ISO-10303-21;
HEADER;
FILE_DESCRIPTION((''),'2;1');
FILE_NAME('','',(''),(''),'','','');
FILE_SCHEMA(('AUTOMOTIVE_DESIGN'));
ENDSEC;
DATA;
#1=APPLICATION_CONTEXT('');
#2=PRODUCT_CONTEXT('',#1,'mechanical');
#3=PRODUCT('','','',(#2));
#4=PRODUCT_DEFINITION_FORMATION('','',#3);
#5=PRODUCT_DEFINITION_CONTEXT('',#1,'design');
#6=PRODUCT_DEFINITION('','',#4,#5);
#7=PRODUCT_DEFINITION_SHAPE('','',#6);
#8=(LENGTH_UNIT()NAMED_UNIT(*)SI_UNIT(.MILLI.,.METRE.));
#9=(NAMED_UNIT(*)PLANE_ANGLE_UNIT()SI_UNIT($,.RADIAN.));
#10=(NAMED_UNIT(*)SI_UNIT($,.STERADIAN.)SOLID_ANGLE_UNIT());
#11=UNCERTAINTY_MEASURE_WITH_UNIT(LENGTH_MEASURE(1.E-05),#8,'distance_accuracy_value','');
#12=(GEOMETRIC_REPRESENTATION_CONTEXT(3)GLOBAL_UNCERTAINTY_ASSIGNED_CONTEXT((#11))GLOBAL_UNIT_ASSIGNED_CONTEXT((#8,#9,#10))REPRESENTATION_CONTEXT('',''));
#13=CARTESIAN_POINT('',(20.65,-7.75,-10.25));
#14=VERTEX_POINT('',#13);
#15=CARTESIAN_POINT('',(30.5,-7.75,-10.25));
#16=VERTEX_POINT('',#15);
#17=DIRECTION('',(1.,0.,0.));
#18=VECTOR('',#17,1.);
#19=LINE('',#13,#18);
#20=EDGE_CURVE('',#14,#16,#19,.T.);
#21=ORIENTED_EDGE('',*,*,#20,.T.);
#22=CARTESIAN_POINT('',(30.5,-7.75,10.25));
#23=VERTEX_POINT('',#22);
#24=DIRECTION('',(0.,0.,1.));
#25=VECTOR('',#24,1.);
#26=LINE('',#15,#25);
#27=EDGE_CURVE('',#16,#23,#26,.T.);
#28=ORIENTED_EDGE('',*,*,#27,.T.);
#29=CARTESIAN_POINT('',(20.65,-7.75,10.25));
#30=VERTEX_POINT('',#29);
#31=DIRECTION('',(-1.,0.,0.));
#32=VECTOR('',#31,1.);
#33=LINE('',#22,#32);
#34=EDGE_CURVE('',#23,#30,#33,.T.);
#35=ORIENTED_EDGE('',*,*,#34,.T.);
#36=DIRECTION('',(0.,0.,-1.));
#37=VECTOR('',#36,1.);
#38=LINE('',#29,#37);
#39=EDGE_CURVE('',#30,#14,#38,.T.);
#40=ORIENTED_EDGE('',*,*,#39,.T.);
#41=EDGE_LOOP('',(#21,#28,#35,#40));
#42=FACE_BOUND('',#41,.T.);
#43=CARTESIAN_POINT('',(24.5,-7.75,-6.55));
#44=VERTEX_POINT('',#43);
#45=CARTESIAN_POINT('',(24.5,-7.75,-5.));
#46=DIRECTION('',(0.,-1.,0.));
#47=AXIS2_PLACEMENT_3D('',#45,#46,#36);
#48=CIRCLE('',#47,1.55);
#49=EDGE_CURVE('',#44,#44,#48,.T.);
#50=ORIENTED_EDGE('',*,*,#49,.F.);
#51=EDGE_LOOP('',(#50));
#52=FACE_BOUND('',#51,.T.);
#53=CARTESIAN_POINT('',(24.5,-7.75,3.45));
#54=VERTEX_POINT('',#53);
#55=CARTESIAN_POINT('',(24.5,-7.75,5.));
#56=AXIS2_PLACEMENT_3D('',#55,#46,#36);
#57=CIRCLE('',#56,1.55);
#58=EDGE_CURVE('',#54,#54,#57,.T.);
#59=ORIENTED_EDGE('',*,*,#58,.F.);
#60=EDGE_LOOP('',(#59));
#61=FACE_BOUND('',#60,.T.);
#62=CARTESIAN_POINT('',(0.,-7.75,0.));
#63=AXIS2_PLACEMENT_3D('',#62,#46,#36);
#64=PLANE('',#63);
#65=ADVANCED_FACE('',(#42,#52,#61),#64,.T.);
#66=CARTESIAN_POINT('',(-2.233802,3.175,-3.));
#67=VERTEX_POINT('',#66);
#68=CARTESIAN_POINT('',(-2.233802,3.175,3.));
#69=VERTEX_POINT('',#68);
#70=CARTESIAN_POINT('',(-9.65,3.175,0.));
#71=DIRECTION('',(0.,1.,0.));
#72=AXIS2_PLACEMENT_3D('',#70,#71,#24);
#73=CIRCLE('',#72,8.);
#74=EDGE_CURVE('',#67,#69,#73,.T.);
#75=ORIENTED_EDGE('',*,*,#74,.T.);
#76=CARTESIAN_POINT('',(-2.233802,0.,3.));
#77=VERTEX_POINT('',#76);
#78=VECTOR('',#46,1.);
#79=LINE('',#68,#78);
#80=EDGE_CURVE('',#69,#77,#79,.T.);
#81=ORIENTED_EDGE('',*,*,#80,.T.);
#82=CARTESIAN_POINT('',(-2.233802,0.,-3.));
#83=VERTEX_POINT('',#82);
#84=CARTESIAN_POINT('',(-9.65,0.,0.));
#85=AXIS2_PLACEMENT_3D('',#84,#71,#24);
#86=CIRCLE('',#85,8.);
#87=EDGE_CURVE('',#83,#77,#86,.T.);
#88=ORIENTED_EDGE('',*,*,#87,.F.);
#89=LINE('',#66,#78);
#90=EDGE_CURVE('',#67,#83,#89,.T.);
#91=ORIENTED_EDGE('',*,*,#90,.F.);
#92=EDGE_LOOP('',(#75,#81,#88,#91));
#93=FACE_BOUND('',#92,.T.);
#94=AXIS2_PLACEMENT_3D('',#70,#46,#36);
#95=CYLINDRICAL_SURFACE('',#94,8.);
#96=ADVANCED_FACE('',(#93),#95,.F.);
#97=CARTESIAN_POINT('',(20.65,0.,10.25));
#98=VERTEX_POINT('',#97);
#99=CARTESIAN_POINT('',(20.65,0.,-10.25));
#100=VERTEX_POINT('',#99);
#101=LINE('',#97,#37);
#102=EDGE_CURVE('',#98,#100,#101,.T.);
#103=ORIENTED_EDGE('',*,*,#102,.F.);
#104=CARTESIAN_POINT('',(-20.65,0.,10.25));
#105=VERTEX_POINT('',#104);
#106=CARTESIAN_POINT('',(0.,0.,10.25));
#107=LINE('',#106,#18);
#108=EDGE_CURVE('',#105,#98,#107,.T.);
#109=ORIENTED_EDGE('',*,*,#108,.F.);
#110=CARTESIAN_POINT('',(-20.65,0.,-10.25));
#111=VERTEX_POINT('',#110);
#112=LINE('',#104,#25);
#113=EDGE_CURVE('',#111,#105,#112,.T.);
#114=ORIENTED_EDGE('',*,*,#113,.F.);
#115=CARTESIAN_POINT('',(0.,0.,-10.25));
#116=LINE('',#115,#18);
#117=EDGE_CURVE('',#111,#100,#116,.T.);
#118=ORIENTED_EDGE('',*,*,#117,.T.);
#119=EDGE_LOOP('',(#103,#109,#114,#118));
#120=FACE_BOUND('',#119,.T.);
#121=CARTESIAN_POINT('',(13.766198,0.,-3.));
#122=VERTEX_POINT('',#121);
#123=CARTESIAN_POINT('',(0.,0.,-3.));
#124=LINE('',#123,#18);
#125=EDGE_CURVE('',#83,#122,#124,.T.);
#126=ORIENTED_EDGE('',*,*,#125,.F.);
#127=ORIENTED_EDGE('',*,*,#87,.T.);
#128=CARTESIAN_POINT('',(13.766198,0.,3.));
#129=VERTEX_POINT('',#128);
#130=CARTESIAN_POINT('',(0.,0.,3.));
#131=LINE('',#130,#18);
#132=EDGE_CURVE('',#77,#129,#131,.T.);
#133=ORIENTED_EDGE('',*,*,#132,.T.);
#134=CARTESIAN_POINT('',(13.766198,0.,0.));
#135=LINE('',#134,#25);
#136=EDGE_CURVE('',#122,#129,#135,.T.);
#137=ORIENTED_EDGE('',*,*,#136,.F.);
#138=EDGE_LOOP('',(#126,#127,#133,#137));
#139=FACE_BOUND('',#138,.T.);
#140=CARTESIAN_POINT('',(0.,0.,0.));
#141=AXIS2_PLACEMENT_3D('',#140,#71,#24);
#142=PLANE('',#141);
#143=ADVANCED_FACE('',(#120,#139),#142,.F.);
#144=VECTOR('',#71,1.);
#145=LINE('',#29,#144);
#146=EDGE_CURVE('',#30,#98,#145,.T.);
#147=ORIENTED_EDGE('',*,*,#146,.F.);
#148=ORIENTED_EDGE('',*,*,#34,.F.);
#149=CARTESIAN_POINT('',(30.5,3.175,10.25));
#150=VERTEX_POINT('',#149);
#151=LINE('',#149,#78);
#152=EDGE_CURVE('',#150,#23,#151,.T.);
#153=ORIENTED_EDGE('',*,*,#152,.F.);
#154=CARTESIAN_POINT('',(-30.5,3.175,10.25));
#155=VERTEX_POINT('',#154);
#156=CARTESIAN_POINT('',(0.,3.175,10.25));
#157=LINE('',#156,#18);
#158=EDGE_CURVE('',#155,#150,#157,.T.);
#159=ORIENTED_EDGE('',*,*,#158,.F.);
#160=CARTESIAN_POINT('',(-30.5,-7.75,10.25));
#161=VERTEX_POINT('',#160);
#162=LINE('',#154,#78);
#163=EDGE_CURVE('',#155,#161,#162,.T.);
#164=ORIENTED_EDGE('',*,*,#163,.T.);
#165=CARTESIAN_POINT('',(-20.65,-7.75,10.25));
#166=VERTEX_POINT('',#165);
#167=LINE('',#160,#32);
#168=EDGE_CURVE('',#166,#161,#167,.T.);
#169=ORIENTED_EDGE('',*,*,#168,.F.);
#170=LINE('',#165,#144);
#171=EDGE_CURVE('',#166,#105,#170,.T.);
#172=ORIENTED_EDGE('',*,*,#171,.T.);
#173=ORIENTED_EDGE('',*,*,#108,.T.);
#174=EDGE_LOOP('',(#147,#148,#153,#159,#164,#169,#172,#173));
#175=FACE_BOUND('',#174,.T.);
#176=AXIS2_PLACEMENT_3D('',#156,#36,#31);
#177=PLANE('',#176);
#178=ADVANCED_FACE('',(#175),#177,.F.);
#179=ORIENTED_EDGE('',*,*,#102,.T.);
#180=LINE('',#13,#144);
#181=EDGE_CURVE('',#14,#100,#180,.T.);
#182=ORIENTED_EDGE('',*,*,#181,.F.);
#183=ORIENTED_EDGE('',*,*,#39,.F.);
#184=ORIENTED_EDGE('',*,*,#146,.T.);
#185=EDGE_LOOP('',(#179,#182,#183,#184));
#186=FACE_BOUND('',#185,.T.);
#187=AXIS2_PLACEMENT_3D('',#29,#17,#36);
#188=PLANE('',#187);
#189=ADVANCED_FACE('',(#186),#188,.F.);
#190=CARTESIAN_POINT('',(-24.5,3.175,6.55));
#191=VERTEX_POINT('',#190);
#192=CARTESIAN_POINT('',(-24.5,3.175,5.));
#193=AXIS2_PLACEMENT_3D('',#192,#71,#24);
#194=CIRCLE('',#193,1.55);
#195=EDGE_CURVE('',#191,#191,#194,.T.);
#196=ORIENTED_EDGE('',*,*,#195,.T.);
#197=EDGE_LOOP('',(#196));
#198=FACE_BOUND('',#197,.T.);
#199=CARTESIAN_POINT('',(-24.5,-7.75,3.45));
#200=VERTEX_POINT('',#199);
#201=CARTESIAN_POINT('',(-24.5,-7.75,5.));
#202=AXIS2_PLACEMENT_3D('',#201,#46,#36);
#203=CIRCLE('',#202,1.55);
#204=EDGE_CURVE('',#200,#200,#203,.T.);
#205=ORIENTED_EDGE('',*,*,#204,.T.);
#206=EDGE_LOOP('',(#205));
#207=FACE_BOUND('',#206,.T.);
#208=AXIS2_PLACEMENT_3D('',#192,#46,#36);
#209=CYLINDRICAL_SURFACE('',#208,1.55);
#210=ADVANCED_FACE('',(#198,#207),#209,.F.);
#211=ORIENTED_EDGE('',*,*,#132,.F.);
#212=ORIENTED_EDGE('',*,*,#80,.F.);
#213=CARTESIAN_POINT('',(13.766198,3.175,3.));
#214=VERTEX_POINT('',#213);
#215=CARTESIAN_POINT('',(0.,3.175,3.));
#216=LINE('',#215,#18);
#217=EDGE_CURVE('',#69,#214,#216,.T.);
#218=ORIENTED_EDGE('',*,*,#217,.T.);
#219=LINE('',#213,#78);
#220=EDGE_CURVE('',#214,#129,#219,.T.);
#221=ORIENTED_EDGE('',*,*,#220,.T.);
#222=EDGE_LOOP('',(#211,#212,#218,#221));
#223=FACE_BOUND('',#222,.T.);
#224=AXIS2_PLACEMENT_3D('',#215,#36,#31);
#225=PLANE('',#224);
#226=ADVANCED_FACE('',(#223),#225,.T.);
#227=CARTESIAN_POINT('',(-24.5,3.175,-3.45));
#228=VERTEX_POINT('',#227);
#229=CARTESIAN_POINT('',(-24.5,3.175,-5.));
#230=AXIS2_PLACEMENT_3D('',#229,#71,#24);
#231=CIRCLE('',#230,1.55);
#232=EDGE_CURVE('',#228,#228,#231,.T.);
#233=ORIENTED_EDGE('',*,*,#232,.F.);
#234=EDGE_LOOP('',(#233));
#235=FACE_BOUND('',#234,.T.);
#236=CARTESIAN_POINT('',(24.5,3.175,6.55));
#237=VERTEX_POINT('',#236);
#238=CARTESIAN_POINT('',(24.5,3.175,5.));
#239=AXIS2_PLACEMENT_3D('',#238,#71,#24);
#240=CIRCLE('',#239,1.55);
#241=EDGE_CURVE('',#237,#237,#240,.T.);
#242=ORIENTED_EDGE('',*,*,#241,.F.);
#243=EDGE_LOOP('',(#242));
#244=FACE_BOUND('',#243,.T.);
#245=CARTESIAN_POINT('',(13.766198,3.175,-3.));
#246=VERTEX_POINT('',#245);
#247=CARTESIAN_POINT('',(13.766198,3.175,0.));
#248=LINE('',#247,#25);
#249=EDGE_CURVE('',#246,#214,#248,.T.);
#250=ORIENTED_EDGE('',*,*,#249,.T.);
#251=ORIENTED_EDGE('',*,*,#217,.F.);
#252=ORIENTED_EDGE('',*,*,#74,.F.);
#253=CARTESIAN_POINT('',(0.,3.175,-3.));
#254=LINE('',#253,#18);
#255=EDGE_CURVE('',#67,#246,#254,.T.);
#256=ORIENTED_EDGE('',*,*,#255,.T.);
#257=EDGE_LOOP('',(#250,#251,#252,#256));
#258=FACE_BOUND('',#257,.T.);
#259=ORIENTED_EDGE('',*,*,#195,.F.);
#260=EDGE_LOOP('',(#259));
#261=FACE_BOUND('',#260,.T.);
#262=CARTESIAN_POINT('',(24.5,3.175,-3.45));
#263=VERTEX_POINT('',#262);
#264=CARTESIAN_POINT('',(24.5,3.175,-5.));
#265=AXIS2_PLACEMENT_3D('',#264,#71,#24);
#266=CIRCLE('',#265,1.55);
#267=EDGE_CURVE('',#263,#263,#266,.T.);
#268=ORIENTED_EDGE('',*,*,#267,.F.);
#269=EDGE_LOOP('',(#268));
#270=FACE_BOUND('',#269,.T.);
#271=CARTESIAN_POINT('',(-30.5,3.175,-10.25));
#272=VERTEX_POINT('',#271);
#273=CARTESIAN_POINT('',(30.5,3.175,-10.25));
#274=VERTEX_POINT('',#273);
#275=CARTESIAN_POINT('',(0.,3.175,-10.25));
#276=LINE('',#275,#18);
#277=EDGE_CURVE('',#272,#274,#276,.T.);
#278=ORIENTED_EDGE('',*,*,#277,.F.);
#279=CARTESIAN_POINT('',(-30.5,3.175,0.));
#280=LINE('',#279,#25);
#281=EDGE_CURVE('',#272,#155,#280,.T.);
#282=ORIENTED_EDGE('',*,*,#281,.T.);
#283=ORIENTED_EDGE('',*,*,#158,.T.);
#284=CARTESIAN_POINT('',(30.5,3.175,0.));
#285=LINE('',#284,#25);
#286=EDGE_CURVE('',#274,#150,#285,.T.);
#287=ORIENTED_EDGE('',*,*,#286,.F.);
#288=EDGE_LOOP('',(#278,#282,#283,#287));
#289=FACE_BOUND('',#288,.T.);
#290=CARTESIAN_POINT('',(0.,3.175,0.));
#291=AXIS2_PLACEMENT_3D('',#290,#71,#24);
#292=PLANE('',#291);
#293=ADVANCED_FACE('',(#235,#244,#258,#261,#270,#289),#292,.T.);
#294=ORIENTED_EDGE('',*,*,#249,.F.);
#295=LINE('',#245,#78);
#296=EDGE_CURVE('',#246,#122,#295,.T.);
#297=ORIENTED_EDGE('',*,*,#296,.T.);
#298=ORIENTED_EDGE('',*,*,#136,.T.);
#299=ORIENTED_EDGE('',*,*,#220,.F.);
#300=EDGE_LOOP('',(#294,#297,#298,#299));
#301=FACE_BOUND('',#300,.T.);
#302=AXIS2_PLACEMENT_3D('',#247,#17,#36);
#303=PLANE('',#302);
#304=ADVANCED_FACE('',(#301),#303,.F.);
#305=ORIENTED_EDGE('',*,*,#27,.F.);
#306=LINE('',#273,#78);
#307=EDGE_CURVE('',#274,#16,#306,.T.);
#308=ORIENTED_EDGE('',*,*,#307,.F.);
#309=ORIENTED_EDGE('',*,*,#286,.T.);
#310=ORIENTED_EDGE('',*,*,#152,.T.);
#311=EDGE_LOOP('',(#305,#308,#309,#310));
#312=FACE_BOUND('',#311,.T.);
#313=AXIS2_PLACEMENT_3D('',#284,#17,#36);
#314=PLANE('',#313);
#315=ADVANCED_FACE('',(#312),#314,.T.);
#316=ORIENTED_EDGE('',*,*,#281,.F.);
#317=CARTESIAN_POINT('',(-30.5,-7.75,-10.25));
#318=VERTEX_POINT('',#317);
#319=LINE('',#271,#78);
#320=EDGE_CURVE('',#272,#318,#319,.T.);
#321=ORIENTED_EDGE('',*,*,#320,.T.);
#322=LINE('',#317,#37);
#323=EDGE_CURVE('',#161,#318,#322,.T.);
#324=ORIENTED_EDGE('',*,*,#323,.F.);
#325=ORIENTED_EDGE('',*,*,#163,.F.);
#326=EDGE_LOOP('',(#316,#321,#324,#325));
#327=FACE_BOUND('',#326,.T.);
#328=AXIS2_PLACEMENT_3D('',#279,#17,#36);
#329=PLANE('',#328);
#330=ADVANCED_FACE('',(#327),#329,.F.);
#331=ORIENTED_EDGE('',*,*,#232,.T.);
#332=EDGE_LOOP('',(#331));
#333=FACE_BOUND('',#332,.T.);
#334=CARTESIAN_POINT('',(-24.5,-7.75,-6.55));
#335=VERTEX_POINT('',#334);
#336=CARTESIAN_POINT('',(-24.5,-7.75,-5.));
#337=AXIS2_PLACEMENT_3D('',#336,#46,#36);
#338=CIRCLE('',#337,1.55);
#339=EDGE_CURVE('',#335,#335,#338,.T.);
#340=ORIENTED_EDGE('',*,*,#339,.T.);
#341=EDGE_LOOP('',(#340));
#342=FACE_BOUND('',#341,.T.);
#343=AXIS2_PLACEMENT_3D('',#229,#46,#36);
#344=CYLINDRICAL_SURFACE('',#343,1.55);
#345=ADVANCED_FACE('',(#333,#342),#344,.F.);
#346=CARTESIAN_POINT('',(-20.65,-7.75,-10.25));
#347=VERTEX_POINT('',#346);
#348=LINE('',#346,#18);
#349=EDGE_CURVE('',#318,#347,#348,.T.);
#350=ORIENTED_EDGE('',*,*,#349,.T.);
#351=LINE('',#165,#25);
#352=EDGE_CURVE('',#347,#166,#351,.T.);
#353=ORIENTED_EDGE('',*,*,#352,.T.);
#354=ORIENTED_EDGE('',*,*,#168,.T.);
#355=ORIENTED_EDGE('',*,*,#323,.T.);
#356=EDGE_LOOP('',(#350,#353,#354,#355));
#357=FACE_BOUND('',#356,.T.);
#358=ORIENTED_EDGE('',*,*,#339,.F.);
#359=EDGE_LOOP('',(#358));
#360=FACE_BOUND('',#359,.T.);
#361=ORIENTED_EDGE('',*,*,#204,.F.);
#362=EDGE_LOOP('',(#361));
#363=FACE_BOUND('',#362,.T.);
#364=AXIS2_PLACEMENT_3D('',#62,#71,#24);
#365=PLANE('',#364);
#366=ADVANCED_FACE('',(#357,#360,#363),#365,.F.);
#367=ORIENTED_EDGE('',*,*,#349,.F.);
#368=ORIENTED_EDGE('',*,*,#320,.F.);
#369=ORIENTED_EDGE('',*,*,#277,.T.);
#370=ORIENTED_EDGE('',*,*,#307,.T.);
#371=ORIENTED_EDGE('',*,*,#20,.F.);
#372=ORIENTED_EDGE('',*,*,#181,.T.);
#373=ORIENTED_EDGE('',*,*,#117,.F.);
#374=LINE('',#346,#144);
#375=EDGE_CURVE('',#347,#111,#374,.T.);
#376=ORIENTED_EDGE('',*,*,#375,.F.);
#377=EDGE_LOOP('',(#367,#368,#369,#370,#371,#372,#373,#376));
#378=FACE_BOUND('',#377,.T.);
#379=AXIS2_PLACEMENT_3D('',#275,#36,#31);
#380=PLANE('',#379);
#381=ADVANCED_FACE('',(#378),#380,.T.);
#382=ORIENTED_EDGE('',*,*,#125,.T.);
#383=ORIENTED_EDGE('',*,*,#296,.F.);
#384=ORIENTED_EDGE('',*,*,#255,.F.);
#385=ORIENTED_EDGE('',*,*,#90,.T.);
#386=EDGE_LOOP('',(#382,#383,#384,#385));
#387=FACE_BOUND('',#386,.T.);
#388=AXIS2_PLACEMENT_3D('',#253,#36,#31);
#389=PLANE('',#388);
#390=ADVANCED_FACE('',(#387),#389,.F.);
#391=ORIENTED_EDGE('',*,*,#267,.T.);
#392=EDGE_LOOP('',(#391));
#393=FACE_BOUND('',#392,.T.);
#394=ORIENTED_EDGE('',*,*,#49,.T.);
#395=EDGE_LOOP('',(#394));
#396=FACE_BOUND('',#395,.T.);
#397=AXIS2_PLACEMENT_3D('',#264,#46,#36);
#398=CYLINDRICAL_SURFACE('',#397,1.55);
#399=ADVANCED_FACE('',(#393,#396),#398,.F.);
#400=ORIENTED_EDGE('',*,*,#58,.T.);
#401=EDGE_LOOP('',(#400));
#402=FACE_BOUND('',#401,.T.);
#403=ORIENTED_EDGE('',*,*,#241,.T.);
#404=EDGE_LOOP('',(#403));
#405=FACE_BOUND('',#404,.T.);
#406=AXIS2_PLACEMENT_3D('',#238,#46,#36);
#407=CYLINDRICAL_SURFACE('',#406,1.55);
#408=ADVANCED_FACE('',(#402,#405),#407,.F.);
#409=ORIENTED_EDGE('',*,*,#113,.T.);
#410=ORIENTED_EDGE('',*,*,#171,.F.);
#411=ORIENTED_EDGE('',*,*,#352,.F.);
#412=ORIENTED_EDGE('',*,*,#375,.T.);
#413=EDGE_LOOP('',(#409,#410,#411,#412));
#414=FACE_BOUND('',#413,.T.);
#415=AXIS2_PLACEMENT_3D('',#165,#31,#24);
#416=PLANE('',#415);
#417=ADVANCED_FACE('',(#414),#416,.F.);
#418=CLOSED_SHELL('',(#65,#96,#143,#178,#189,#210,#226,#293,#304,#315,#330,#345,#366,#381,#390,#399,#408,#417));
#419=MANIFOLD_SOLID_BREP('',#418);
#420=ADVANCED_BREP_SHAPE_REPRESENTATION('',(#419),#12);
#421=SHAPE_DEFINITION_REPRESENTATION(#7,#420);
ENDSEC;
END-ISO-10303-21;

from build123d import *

# Parameters (mm, degrees)
SKETCH2_W           = 61
SKETCH2_H           = 20.5
SKETCH2_R           = 1.55
BOSS_EXTRUDE1_DEPTH = 3.175
SKETCH3_W           = 9.85
SKETCH3_H           = 20.5
SKETCH3_R           = 1.55
BOSS_EXTRUDE2_DEPTH = 7.75


with BuildPart() as part:
    # Sketch2 → Boss-Extrude1 (new body)
    with BuildSketch(Plane(origin=(0, 0, 0), x_dir=(1, 0, 0), z_dir=(0, 1, 0))):
        Rectangle(SKETCH2_W, SKETCH2_H)
        with Locations((-24.5, -5)):
            Circle(SKETCH2_R, mode=Mode.SUBTRACT)
        with BuildLine():
            ThreePointArc((-2.233801513, -3), (-17.65, 0), (-2.233801513, 3))
            Line((-2.233801513, 3), (13.766198487, 3))
            Line((13.766198487, 3), (13.766198487, -3))
            Line((13.766198487, -3), (-2.233801513, -3))
        make_face(mode=Mode.SUBTRACT)
        with Locations((24.5, -5)):
            Circle(SKETCH2_R, mode=Mode.SUBTRACT)
        with Locations((-24.5, 5)):
            Circle(SKETCH2_R, mode=Mode.SUBTRACT)
        with Locations((24.5, 5)):
            Circle(SKETCH2_R, mode=Mode.SUBTRACT)
    extrude(amount=BOSS_EXTRUDE1_DEPTH)

    # Sketch3 → Boss-Extrude2 (add)
    with BuildSketch(Plane.XZ):
        with Locations((-25.575, 0)):
            Rectangle(SKETCH3_W, SKETCH3_H)
        with Locations((-24.5, -5)):
            Circle(SKETCH3_R, mode=Mode.SUBTRACT)
        with Locations((-24.5, 5)):
            Circle(SKETCH3_R, mode=Mode.SUBTRACT)
        with Locations((25.575, 0)):
            Rectangle(SKETCH3_W, SKETCH3_H)
        with Locations((24.5, -5)):
            Circle(SKETCH3_R, mode=Mode.SUBTRACT)
        with Locations((24.5, 5)):
            Circle(SKETCH3_R, mode=Mode.SUBTRACT)
    extrude(amount=BOSS_EXTRUDE2_DEPTH)


solid = part.part
